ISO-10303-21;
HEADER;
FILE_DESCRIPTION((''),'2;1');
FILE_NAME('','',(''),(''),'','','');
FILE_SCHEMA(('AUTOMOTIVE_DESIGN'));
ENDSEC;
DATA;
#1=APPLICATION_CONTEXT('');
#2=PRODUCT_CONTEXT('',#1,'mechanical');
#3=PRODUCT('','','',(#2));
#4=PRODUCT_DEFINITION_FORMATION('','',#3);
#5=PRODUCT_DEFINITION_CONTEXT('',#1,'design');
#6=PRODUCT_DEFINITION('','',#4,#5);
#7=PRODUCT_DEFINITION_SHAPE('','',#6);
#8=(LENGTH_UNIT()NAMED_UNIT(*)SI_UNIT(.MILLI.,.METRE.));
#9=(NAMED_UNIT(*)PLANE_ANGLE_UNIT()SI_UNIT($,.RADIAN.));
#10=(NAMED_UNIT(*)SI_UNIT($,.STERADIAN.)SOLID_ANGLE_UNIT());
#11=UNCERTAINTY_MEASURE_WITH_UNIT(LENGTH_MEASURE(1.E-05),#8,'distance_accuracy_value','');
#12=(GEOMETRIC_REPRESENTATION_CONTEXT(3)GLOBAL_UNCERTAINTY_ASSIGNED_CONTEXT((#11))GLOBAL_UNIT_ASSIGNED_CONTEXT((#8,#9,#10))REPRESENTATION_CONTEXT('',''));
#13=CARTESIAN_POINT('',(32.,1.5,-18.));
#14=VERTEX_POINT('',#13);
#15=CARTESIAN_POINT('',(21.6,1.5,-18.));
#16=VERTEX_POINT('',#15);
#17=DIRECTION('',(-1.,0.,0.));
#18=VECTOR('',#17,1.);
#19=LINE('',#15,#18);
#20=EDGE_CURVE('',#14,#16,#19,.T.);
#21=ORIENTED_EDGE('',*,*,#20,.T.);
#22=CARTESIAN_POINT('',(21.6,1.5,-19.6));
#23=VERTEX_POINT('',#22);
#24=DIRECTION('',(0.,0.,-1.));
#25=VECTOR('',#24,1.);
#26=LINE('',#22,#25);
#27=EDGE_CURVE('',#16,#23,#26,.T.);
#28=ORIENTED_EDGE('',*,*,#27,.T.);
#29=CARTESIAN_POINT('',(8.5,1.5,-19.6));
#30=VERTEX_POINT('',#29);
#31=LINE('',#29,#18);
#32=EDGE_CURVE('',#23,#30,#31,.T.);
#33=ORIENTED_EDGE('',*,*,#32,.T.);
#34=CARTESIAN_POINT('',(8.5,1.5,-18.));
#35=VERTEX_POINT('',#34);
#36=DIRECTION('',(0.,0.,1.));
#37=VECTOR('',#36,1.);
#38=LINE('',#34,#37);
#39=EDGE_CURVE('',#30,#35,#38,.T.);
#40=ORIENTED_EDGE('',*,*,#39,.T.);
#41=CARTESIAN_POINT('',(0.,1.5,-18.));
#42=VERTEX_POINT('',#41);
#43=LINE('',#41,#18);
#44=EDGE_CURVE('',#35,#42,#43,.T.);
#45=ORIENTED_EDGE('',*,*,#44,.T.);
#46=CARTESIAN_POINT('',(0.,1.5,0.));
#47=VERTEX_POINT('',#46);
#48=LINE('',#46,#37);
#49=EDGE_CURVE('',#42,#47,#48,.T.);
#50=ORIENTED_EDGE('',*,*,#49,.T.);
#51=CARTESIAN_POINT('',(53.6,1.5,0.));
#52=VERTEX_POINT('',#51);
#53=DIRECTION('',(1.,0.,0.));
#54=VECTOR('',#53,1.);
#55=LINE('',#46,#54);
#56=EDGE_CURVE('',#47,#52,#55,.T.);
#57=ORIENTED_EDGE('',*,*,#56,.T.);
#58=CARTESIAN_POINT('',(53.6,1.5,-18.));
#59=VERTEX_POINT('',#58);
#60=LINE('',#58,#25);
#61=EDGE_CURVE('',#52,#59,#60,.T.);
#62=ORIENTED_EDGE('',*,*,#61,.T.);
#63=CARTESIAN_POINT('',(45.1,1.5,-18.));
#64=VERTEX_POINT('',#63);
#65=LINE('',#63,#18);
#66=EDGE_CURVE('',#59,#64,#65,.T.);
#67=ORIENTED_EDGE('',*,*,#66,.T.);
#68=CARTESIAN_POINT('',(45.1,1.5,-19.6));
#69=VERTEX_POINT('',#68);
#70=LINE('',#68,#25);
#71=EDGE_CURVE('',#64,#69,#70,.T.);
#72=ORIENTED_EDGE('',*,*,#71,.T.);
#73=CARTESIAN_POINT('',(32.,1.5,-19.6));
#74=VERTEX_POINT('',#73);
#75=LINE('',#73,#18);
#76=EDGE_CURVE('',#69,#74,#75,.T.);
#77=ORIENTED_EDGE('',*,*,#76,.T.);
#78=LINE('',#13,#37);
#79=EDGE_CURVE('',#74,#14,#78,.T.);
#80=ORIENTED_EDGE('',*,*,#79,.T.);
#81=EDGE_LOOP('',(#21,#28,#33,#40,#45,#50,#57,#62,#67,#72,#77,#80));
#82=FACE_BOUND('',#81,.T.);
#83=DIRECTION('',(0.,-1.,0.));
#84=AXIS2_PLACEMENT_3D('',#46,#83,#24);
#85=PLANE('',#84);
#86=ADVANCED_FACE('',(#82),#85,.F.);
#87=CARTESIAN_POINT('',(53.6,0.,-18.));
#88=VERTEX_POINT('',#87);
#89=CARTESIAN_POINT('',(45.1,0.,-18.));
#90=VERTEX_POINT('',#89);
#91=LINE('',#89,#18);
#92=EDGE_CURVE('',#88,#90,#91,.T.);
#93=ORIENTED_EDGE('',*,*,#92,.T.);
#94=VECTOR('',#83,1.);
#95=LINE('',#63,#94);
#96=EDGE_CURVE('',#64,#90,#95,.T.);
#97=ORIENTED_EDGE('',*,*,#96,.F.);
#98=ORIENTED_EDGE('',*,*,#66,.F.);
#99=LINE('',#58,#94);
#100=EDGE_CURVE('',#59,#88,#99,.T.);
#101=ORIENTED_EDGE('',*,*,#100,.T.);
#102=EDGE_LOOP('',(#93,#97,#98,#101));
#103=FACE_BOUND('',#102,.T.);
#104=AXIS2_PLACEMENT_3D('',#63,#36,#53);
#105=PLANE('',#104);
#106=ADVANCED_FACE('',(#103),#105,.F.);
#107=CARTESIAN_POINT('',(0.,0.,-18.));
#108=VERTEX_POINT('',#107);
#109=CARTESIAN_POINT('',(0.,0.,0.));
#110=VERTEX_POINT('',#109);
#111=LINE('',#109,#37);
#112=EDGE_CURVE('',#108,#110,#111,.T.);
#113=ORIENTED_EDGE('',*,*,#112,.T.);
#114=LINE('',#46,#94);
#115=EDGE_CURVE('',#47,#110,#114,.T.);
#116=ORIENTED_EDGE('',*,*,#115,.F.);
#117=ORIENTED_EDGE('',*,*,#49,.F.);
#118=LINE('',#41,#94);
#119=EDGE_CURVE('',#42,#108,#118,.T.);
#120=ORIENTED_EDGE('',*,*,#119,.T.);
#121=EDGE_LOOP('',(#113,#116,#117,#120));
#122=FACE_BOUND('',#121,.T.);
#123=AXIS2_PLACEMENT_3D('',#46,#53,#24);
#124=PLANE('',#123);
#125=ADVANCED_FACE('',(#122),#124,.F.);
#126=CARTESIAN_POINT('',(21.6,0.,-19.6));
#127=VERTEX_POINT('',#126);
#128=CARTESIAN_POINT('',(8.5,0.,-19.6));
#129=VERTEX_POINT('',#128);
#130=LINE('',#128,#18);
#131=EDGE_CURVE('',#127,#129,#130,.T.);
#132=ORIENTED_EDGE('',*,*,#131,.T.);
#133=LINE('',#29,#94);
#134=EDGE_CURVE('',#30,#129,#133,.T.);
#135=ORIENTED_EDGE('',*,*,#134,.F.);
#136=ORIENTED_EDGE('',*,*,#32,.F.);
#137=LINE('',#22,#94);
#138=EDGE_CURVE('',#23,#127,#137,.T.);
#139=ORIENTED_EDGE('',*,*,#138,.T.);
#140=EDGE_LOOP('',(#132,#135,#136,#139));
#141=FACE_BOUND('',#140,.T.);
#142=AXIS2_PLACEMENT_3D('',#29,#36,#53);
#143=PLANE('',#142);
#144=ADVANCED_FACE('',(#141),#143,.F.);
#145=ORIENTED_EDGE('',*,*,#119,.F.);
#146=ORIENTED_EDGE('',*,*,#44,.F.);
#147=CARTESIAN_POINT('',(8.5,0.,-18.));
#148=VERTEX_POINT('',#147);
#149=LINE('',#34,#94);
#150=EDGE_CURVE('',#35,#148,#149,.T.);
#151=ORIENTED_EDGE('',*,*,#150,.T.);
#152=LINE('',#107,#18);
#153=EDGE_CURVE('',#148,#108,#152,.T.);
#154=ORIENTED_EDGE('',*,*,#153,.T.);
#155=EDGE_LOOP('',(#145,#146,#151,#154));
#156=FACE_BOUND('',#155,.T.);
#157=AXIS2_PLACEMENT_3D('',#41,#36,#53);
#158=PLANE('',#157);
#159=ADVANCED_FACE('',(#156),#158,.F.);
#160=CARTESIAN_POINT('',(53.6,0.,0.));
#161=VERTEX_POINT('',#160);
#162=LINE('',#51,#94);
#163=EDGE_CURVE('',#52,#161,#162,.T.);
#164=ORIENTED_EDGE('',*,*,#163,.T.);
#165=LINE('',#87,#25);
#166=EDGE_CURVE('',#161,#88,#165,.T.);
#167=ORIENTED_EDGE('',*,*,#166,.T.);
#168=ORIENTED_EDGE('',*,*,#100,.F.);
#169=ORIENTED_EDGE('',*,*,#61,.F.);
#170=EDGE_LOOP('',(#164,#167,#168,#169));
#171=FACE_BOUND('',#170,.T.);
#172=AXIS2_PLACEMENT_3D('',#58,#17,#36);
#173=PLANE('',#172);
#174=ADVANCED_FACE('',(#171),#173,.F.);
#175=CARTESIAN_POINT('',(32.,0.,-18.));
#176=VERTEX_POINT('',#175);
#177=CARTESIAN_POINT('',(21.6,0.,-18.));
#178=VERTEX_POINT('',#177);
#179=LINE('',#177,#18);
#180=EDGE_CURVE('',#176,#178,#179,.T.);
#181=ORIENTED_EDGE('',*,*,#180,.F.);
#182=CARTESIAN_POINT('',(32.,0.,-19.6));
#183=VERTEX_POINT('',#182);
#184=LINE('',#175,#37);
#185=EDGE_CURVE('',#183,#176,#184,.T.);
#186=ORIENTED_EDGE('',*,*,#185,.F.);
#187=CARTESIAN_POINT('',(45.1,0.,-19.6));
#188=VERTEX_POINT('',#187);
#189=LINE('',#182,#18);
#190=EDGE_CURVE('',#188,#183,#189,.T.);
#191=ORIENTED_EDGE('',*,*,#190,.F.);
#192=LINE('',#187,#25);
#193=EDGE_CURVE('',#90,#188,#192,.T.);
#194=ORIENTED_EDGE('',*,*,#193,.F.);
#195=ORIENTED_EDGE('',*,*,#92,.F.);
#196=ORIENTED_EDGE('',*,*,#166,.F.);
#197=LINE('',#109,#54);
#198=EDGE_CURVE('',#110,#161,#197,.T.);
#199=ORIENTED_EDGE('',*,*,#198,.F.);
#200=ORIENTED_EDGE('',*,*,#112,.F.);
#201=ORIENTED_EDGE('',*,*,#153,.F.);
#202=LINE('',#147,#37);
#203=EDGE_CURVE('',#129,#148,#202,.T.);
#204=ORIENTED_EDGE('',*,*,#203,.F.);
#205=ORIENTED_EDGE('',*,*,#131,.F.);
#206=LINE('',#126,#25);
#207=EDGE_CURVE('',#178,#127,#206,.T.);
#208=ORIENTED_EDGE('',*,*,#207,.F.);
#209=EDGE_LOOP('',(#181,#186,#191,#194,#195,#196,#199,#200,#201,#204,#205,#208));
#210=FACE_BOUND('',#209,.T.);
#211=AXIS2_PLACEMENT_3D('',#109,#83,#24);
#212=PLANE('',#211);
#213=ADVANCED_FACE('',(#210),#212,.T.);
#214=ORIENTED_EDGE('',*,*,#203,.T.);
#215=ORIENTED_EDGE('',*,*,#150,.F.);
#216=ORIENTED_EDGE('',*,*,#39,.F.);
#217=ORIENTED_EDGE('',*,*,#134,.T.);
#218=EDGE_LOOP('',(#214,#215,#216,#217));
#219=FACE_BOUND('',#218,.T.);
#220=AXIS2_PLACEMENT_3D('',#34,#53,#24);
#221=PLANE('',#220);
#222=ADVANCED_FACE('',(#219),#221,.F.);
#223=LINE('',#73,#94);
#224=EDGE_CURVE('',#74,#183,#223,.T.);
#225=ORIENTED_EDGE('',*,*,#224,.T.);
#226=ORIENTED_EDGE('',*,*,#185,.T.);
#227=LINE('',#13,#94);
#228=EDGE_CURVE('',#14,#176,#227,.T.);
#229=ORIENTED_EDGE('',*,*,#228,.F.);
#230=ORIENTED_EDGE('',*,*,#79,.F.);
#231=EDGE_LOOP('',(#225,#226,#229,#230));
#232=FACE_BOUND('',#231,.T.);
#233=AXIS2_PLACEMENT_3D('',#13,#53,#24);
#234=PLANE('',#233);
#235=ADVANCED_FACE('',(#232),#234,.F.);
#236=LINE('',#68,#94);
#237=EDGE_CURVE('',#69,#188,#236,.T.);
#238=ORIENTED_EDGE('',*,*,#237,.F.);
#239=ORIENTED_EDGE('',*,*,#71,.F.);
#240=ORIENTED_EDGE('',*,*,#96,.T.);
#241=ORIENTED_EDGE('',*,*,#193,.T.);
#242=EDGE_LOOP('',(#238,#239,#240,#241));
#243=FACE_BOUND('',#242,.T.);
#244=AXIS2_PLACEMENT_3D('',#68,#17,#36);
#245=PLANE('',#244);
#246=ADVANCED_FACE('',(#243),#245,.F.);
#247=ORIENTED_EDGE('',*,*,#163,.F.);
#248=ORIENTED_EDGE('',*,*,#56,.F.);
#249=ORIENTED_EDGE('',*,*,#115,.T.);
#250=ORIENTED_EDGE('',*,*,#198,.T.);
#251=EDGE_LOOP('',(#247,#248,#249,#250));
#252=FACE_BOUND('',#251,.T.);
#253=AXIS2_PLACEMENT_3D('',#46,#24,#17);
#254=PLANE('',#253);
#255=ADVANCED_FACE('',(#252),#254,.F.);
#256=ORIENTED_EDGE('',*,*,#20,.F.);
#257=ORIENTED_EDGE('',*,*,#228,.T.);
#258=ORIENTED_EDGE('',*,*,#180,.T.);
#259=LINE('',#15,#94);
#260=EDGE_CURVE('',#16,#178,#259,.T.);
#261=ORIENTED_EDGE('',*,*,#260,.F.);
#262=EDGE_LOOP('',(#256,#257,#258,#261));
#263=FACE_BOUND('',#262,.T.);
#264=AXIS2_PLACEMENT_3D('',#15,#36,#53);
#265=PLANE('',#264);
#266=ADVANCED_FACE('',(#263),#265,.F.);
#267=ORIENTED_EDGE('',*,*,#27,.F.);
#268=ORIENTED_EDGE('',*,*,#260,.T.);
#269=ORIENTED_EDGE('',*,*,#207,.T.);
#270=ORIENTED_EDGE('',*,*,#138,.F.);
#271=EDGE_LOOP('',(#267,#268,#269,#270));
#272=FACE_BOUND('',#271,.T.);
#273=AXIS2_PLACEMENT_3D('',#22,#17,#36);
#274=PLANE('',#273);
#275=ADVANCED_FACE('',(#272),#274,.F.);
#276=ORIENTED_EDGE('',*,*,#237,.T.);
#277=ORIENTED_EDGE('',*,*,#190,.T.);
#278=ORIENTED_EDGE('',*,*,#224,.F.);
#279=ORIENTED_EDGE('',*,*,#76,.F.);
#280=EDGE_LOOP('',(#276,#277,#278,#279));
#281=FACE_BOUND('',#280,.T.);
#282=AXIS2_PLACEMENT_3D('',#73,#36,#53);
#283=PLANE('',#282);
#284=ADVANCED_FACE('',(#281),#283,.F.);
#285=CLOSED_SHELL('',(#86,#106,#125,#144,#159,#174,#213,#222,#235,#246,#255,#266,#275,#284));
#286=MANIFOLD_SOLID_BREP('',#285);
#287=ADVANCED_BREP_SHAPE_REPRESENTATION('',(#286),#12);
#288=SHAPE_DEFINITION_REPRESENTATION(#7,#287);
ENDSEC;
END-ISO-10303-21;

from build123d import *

# Parameters (mm, degrees)
BOSS_EXTRUDE1_DEPTH = 1.5


with BuildPart() as part:
    # Sketch1 → Boss-Extrude1 (new body)
    with BuildSketch(Plane(origin=(0, 0, 0), x_dir=(1, 0, 0), z_dir=(0, 1, 0))):
        Polygon((0, 18), (8.5, 18), (8.5, 19.6), (21.6, 19.6), (21.6, 18), (32, 18), (32, 19.6), (45.1, 19.6), (45.1, 18), (53.6, 18), (53.6, 0), (0, 0), align=None)
    extrude(amount=BOSS_EXTRUDE1_DEPTH)


solid = part.part
